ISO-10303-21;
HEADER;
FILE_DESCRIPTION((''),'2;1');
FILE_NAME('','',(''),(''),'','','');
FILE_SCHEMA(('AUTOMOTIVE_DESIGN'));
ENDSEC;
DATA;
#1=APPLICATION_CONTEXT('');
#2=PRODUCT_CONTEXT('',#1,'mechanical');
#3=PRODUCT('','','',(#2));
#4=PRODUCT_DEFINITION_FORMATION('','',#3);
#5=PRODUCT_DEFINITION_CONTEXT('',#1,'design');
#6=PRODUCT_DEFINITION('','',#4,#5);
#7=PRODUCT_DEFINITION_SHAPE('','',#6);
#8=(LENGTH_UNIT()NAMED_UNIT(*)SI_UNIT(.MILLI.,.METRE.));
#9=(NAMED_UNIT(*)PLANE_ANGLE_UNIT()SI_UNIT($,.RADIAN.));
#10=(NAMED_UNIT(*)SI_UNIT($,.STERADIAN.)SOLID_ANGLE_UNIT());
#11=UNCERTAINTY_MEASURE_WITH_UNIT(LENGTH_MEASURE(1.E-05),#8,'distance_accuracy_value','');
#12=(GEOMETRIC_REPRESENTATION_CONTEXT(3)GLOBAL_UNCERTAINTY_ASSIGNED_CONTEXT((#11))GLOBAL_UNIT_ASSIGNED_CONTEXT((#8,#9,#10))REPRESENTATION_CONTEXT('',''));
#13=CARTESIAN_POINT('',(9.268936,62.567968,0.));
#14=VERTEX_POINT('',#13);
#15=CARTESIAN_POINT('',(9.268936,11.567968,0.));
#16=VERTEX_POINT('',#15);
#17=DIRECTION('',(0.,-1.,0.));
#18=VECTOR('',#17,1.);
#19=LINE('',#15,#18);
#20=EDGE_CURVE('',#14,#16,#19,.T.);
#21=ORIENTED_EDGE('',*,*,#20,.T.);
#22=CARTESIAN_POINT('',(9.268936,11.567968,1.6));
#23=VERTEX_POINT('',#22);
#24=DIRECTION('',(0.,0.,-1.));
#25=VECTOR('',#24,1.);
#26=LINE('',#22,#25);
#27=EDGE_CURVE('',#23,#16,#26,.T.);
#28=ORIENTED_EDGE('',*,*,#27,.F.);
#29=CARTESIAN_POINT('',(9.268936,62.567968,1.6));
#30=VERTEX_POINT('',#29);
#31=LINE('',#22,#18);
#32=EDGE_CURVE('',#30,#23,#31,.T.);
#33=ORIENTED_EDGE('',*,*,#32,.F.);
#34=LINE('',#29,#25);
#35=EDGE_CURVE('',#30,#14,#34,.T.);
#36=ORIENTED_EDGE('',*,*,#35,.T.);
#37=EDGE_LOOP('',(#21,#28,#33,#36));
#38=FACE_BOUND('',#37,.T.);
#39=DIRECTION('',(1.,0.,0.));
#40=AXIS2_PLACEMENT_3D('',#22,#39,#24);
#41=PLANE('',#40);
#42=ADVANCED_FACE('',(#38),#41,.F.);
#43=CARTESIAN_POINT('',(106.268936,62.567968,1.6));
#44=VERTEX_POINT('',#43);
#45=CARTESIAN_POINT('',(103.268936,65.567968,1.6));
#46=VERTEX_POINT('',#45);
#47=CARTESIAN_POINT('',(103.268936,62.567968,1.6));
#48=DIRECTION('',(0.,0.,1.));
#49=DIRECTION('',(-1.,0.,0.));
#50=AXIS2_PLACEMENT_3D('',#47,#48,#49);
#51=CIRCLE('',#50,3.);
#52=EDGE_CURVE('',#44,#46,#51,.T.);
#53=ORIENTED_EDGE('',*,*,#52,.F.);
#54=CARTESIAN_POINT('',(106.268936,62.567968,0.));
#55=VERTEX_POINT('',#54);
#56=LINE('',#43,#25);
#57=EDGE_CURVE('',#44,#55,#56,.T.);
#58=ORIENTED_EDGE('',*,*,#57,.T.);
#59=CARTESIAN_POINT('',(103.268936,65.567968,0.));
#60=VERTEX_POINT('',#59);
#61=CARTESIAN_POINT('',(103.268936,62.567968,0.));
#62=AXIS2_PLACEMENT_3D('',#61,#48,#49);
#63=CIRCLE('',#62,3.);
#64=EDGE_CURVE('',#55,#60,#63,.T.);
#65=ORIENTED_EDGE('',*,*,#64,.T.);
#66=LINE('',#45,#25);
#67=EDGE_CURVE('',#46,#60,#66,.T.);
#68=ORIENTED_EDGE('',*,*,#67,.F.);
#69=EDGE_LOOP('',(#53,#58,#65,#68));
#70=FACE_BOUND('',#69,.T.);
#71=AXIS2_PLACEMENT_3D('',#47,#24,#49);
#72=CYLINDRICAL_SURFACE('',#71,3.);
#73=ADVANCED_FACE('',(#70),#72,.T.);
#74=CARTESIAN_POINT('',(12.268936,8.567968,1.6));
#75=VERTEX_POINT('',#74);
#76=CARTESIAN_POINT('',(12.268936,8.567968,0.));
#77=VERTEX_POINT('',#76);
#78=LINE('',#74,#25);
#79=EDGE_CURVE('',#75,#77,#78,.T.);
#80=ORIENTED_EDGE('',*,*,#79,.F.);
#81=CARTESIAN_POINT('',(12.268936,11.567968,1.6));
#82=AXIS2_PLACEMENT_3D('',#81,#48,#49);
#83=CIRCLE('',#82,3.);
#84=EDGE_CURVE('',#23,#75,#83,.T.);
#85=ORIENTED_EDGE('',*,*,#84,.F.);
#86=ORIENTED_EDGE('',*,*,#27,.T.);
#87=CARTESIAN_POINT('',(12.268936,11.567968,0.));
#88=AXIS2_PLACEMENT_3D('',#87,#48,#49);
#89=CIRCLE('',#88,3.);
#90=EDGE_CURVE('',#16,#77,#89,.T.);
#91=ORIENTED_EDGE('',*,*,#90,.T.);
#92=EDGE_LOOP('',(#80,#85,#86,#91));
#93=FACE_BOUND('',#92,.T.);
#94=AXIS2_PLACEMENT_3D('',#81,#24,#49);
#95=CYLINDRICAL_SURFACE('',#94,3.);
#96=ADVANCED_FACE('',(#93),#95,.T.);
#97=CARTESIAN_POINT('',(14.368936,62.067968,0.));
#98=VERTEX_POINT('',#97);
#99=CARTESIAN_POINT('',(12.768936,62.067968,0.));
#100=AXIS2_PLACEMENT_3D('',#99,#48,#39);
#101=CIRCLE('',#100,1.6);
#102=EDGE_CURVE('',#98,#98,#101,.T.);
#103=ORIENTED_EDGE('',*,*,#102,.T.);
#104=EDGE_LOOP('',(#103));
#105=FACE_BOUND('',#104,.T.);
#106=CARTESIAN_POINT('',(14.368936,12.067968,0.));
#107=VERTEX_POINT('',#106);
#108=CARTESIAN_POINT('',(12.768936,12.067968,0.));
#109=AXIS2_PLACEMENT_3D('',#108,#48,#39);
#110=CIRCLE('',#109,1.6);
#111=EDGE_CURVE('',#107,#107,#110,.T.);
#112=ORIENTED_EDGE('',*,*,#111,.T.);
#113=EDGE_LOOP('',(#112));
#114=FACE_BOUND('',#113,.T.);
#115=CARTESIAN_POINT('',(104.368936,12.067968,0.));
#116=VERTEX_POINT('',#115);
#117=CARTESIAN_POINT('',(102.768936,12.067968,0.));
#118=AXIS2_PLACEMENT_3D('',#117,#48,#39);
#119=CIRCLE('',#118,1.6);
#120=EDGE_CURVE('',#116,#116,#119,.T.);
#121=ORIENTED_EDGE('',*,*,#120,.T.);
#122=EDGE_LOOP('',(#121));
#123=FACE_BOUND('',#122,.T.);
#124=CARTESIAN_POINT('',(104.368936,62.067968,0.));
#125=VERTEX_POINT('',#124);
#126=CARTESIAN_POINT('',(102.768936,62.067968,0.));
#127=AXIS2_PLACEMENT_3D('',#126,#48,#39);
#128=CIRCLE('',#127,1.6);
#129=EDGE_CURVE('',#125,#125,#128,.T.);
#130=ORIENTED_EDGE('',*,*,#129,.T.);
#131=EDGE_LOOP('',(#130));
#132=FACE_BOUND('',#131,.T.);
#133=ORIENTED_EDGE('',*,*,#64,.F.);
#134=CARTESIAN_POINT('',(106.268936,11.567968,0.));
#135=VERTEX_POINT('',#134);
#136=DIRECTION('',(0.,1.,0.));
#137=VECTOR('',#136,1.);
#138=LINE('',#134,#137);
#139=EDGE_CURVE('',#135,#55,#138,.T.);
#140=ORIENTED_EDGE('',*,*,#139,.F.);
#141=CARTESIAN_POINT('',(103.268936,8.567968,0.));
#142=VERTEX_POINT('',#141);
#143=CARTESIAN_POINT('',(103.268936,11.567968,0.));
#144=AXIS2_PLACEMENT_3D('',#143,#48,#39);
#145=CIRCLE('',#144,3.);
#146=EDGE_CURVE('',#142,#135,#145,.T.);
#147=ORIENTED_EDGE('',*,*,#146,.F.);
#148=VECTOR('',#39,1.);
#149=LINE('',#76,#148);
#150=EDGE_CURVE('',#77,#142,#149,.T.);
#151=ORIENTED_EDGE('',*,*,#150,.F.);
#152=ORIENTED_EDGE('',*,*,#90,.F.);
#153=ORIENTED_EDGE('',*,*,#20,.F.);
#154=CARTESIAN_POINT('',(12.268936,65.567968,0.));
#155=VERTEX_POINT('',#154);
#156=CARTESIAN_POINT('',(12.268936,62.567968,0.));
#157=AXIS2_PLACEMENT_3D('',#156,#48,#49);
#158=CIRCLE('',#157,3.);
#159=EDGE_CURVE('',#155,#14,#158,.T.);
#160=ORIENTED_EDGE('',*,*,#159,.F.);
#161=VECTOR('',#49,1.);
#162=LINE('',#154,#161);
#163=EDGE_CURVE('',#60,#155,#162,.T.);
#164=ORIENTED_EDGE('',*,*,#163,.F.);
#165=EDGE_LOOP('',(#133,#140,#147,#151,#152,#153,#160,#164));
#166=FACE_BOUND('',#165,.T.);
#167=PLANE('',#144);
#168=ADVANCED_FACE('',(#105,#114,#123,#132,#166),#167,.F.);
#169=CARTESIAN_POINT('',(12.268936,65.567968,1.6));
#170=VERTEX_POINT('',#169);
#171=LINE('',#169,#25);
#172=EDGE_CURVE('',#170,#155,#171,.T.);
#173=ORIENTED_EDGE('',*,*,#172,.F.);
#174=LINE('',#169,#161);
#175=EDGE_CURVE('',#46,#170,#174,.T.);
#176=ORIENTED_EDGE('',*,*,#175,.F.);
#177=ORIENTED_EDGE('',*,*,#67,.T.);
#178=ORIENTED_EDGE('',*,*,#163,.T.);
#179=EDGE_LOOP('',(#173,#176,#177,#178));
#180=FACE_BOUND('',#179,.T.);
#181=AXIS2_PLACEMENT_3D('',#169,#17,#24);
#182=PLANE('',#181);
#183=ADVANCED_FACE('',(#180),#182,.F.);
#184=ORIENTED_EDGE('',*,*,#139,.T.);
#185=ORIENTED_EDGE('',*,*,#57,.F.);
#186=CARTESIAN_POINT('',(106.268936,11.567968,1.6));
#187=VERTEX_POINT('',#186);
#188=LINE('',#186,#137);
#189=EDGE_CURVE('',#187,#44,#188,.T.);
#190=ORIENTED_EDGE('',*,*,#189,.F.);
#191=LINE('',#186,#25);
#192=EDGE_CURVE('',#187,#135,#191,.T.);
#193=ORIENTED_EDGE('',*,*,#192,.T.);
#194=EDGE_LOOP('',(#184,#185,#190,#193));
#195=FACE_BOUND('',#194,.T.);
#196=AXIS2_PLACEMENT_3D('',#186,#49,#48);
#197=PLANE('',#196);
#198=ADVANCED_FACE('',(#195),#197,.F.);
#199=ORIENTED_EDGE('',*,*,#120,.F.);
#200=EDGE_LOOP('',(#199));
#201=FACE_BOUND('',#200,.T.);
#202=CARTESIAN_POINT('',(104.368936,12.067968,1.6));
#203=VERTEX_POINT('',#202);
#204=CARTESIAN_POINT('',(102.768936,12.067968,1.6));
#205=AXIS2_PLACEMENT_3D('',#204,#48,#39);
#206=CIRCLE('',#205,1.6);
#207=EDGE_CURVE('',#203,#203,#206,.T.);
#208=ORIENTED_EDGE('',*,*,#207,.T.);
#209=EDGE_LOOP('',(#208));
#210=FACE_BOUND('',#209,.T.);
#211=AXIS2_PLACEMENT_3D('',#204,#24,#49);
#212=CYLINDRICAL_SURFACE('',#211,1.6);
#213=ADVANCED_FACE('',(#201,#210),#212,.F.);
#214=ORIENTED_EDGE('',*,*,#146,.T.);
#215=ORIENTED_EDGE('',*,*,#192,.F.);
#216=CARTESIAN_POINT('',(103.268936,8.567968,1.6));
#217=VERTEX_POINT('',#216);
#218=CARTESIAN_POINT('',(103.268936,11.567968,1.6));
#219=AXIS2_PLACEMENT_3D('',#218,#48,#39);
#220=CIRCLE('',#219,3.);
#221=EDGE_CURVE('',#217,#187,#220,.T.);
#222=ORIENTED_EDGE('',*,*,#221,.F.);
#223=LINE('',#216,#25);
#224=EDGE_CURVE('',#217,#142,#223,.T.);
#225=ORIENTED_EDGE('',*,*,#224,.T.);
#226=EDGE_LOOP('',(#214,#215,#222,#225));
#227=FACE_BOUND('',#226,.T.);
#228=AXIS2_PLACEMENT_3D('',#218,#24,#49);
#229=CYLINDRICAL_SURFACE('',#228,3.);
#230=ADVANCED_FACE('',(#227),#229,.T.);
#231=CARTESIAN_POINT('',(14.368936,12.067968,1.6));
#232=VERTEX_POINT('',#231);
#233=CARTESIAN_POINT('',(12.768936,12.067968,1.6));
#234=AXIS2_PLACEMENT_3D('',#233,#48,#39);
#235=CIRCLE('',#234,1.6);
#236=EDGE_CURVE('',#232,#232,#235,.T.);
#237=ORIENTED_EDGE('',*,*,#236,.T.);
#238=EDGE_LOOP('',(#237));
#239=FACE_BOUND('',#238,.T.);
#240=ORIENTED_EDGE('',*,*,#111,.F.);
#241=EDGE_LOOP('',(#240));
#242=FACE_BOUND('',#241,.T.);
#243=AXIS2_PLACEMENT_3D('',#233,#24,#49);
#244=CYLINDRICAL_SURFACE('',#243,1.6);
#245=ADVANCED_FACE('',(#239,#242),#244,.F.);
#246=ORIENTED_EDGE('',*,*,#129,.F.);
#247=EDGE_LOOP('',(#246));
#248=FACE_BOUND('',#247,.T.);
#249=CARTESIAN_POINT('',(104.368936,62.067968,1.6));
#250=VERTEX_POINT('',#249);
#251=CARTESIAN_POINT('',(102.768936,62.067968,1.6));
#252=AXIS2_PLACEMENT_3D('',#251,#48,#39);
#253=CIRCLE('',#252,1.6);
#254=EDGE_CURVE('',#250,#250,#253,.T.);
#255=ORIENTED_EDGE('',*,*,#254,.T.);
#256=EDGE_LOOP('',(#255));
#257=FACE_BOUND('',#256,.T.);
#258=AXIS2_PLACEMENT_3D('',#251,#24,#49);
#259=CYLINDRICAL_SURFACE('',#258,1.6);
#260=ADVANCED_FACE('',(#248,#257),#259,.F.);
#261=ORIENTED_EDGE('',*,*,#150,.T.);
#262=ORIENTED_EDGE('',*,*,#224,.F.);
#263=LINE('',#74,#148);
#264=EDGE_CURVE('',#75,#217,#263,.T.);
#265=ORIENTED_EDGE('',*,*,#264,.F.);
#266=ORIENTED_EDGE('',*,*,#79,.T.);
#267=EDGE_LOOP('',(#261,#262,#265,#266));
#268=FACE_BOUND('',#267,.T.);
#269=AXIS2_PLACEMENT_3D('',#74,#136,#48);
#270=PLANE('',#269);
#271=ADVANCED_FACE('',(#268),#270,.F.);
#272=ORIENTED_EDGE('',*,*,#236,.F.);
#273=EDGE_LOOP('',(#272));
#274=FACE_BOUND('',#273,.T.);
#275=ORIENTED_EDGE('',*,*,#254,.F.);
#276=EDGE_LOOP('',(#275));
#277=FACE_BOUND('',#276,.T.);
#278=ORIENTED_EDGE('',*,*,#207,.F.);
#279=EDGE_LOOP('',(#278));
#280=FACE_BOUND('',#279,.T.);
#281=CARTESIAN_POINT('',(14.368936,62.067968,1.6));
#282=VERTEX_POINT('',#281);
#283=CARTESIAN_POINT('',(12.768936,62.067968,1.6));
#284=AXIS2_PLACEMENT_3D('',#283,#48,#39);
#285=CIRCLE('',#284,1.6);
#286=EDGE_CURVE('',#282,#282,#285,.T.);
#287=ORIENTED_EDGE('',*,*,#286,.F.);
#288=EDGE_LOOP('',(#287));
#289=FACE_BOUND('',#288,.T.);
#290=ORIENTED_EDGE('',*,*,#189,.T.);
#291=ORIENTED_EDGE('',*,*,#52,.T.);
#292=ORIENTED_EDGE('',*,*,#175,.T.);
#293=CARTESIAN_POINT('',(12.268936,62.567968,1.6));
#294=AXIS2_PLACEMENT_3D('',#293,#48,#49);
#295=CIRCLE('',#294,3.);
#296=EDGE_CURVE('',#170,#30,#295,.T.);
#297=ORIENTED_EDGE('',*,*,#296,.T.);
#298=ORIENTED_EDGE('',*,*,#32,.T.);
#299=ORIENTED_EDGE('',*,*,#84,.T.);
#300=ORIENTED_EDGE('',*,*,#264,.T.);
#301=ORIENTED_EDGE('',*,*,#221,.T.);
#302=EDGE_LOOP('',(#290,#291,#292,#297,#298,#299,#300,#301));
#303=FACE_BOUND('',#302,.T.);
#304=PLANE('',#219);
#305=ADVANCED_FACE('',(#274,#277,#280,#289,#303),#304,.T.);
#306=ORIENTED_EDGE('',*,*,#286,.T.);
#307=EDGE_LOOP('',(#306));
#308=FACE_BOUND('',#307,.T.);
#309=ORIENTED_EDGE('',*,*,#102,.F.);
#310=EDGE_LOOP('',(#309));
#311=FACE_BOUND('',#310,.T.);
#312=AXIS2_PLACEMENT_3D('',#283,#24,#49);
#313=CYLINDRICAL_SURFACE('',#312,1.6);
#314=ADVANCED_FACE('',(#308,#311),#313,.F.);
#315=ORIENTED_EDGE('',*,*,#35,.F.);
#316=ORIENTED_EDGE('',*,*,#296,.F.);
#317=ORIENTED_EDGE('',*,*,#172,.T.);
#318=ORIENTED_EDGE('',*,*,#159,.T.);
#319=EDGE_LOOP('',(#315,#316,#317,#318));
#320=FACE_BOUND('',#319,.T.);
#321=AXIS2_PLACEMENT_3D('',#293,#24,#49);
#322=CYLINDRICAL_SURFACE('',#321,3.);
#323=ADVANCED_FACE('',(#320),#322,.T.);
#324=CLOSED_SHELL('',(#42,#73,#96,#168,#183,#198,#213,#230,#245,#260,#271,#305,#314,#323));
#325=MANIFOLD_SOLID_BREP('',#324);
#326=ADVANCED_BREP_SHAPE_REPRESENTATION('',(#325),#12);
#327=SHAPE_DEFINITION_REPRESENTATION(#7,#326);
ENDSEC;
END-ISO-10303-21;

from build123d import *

# Parameters (mm, degrees)
SKETCH1_R           = 1.6
BOSS_EXTRUDE1_DEPTH = 1.6


with BuildPart() as part:
    # Sketch1 → Boss-Extrude1 (new body)
    with BuildSketch(Plane.XY):
        with BuildLine():
            Line((12.268936352, 8.567968161), (103.268936352, 8.567968161))
            ThreePointArc((103.268936352, 8.567968161), (105.390256695, 9.446647817), (106.268936352, 11.567968161))
            Line((106.268936352, 11.567968161), (106.268936352, 62.567968161))
            ThreePointArc((106.268936352, 62.567968161), (105.390256695, 64.689288504), (103.268936352, 65.567968161))
            Line((103.268936352, 65.567968161), (12.268936352, 65.567968161))
            ThreePointArc((12.268936352, 65.567968161), (10.147616008, 64.689288504), (9.268936352, 62.567968161))
            Line((9.268936352, 62.567968161), (9.268936352, 11.567968161))
            ThreePointArc((9.268936352, 11.567968161), (10.147616008, 9.446647817), (12.268936352, 8.567968161))
        make_face()
        with Locations((12.768936352, 12.067968161)):
            Circle(SKETCH1_R, mode=Mode.SUBTRACT)
        with Locations((12.768936352, 62.067968161)):
            Circle(SKETCH1_R, mode=Mode.SUBTRACT)
        with Locations((102.768936352, 62.067968161)):
            Circle(SKETCH1_R, mode=Mode.SUBTRACT)
        with Locations((102.768936352, 12.067968161)):
            Circle(SKETCH1_R, mode=Mode.SUBTRACT)
    extrude(amount=BOSS_EXTRUDE1_DEPTH)


solid = part.part
